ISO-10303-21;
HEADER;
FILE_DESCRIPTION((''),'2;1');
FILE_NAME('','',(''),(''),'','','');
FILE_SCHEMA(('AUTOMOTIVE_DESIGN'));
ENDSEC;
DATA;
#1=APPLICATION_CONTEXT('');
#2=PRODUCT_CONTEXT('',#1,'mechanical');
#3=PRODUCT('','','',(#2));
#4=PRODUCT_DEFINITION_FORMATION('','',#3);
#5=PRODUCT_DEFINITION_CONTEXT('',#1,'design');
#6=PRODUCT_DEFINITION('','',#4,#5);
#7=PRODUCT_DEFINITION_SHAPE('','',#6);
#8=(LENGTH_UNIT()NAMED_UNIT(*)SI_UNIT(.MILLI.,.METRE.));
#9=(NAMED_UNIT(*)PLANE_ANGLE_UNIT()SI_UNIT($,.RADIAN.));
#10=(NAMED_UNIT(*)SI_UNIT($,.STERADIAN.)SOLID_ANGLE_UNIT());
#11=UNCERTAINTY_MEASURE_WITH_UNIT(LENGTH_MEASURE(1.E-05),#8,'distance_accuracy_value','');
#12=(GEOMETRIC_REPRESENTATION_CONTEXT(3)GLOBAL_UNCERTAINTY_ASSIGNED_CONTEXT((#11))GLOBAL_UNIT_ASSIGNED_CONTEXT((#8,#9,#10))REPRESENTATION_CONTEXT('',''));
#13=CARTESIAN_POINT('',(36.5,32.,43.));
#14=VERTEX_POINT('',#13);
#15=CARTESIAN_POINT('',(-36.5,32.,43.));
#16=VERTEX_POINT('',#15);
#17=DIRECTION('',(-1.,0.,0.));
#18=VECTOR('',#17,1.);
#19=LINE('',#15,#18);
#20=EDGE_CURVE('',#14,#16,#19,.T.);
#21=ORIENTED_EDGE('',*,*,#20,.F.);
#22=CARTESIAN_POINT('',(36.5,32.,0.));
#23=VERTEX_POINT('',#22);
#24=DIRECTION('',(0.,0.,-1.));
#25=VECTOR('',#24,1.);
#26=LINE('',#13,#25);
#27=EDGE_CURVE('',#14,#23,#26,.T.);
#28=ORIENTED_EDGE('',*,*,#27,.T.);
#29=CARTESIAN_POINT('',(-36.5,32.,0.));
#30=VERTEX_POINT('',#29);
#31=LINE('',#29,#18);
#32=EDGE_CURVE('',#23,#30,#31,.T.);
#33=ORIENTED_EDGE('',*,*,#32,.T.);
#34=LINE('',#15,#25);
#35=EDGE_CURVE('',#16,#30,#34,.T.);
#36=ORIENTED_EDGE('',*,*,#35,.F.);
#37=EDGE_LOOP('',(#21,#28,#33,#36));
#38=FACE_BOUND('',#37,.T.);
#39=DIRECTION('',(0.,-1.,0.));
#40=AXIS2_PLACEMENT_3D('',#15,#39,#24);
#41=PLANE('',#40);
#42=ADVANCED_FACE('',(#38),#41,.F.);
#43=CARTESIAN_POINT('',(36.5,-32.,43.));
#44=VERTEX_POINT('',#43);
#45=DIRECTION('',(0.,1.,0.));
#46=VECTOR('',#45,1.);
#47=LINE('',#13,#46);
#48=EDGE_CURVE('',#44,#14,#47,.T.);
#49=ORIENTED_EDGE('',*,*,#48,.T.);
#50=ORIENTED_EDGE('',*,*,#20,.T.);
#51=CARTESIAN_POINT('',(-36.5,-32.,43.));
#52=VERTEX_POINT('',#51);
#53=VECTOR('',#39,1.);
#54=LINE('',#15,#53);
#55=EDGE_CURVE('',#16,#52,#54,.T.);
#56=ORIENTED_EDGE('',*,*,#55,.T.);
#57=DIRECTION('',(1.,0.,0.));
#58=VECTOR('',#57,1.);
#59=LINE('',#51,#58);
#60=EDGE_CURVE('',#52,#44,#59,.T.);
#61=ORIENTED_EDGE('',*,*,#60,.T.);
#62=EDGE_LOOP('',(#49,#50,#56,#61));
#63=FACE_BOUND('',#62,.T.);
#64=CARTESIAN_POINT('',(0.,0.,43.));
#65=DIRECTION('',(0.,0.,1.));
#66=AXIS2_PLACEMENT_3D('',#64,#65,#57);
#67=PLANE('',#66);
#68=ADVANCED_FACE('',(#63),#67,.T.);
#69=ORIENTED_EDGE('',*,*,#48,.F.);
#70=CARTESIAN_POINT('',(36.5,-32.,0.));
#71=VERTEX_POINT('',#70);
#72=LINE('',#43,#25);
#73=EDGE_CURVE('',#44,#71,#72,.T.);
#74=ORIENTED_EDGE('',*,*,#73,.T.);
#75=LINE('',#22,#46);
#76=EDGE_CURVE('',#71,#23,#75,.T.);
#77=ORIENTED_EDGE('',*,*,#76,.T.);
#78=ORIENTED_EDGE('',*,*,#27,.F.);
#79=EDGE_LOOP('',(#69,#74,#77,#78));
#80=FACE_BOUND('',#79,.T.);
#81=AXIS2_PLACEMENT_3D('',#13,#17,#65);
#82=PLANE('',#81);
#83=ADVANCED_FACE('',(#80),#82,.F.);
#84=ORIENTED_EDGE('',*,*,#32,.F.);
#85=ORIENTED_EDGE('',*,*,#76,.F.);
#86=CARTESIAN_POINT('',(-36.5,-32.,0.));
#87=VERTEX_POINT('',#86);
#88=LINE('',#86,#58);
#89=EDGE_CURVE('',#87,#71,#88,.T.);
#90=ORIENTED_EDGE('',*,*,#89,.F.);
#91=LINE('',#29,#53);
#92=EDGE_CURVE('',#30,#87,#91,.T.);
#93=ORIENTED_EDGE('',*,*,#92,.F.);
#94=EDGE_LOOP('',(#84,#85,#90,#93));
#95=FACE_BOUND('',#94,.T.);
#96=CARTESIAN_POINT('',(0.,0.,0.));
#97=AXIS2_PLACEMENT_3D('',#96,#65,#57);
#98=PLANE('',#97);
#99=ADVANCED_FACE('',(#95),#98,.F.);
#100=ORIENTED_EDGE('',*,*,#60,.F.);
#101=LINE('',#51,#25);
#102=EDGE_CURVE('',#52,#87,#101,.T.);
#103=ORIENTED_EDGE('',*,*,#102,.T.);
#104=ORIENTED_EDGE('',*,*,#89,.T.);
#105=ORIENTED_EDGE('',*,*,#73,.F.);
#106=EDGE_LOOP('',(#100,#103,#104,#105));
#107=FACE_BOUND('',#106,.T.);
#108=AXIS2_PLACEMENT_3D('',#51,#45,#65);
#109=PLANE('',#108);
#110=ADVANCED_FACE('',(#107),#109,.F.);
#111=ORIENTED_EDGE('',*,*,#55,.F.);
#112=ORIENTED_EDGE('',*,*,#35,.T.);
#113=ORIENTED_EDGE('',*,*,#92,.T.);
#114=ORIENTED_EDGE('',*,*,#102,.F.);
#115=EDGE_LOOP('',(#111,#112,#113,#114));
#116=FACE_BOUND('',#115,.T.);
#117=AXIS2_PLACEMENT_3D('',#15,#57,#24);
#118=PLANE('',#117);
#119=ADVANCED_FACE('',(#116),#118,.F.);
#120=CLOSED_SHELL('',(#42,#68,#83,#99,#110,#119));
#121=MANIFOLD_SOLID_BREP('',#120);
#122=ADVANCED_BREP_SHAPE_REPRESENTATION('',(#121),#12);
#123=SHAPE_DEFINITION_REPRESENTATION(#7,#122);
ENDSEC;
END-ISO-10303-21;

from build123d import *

# Parameters (mm, degrees)
SKETCH_2_W      = 73
SKETCH_2_H      = 64
EXTRUDE_1_DEPTH = 43


with BuildPart() as part:
    # 草图2 → 凸台-拉伸1 (new body)
    with BuildSketch(Plane.XY):
        Rectangle(SKETCH_2_W, SKETCH_2_H)
    extrude(amount=EXTRUDE_1_DEPTH)


solid = part.part
